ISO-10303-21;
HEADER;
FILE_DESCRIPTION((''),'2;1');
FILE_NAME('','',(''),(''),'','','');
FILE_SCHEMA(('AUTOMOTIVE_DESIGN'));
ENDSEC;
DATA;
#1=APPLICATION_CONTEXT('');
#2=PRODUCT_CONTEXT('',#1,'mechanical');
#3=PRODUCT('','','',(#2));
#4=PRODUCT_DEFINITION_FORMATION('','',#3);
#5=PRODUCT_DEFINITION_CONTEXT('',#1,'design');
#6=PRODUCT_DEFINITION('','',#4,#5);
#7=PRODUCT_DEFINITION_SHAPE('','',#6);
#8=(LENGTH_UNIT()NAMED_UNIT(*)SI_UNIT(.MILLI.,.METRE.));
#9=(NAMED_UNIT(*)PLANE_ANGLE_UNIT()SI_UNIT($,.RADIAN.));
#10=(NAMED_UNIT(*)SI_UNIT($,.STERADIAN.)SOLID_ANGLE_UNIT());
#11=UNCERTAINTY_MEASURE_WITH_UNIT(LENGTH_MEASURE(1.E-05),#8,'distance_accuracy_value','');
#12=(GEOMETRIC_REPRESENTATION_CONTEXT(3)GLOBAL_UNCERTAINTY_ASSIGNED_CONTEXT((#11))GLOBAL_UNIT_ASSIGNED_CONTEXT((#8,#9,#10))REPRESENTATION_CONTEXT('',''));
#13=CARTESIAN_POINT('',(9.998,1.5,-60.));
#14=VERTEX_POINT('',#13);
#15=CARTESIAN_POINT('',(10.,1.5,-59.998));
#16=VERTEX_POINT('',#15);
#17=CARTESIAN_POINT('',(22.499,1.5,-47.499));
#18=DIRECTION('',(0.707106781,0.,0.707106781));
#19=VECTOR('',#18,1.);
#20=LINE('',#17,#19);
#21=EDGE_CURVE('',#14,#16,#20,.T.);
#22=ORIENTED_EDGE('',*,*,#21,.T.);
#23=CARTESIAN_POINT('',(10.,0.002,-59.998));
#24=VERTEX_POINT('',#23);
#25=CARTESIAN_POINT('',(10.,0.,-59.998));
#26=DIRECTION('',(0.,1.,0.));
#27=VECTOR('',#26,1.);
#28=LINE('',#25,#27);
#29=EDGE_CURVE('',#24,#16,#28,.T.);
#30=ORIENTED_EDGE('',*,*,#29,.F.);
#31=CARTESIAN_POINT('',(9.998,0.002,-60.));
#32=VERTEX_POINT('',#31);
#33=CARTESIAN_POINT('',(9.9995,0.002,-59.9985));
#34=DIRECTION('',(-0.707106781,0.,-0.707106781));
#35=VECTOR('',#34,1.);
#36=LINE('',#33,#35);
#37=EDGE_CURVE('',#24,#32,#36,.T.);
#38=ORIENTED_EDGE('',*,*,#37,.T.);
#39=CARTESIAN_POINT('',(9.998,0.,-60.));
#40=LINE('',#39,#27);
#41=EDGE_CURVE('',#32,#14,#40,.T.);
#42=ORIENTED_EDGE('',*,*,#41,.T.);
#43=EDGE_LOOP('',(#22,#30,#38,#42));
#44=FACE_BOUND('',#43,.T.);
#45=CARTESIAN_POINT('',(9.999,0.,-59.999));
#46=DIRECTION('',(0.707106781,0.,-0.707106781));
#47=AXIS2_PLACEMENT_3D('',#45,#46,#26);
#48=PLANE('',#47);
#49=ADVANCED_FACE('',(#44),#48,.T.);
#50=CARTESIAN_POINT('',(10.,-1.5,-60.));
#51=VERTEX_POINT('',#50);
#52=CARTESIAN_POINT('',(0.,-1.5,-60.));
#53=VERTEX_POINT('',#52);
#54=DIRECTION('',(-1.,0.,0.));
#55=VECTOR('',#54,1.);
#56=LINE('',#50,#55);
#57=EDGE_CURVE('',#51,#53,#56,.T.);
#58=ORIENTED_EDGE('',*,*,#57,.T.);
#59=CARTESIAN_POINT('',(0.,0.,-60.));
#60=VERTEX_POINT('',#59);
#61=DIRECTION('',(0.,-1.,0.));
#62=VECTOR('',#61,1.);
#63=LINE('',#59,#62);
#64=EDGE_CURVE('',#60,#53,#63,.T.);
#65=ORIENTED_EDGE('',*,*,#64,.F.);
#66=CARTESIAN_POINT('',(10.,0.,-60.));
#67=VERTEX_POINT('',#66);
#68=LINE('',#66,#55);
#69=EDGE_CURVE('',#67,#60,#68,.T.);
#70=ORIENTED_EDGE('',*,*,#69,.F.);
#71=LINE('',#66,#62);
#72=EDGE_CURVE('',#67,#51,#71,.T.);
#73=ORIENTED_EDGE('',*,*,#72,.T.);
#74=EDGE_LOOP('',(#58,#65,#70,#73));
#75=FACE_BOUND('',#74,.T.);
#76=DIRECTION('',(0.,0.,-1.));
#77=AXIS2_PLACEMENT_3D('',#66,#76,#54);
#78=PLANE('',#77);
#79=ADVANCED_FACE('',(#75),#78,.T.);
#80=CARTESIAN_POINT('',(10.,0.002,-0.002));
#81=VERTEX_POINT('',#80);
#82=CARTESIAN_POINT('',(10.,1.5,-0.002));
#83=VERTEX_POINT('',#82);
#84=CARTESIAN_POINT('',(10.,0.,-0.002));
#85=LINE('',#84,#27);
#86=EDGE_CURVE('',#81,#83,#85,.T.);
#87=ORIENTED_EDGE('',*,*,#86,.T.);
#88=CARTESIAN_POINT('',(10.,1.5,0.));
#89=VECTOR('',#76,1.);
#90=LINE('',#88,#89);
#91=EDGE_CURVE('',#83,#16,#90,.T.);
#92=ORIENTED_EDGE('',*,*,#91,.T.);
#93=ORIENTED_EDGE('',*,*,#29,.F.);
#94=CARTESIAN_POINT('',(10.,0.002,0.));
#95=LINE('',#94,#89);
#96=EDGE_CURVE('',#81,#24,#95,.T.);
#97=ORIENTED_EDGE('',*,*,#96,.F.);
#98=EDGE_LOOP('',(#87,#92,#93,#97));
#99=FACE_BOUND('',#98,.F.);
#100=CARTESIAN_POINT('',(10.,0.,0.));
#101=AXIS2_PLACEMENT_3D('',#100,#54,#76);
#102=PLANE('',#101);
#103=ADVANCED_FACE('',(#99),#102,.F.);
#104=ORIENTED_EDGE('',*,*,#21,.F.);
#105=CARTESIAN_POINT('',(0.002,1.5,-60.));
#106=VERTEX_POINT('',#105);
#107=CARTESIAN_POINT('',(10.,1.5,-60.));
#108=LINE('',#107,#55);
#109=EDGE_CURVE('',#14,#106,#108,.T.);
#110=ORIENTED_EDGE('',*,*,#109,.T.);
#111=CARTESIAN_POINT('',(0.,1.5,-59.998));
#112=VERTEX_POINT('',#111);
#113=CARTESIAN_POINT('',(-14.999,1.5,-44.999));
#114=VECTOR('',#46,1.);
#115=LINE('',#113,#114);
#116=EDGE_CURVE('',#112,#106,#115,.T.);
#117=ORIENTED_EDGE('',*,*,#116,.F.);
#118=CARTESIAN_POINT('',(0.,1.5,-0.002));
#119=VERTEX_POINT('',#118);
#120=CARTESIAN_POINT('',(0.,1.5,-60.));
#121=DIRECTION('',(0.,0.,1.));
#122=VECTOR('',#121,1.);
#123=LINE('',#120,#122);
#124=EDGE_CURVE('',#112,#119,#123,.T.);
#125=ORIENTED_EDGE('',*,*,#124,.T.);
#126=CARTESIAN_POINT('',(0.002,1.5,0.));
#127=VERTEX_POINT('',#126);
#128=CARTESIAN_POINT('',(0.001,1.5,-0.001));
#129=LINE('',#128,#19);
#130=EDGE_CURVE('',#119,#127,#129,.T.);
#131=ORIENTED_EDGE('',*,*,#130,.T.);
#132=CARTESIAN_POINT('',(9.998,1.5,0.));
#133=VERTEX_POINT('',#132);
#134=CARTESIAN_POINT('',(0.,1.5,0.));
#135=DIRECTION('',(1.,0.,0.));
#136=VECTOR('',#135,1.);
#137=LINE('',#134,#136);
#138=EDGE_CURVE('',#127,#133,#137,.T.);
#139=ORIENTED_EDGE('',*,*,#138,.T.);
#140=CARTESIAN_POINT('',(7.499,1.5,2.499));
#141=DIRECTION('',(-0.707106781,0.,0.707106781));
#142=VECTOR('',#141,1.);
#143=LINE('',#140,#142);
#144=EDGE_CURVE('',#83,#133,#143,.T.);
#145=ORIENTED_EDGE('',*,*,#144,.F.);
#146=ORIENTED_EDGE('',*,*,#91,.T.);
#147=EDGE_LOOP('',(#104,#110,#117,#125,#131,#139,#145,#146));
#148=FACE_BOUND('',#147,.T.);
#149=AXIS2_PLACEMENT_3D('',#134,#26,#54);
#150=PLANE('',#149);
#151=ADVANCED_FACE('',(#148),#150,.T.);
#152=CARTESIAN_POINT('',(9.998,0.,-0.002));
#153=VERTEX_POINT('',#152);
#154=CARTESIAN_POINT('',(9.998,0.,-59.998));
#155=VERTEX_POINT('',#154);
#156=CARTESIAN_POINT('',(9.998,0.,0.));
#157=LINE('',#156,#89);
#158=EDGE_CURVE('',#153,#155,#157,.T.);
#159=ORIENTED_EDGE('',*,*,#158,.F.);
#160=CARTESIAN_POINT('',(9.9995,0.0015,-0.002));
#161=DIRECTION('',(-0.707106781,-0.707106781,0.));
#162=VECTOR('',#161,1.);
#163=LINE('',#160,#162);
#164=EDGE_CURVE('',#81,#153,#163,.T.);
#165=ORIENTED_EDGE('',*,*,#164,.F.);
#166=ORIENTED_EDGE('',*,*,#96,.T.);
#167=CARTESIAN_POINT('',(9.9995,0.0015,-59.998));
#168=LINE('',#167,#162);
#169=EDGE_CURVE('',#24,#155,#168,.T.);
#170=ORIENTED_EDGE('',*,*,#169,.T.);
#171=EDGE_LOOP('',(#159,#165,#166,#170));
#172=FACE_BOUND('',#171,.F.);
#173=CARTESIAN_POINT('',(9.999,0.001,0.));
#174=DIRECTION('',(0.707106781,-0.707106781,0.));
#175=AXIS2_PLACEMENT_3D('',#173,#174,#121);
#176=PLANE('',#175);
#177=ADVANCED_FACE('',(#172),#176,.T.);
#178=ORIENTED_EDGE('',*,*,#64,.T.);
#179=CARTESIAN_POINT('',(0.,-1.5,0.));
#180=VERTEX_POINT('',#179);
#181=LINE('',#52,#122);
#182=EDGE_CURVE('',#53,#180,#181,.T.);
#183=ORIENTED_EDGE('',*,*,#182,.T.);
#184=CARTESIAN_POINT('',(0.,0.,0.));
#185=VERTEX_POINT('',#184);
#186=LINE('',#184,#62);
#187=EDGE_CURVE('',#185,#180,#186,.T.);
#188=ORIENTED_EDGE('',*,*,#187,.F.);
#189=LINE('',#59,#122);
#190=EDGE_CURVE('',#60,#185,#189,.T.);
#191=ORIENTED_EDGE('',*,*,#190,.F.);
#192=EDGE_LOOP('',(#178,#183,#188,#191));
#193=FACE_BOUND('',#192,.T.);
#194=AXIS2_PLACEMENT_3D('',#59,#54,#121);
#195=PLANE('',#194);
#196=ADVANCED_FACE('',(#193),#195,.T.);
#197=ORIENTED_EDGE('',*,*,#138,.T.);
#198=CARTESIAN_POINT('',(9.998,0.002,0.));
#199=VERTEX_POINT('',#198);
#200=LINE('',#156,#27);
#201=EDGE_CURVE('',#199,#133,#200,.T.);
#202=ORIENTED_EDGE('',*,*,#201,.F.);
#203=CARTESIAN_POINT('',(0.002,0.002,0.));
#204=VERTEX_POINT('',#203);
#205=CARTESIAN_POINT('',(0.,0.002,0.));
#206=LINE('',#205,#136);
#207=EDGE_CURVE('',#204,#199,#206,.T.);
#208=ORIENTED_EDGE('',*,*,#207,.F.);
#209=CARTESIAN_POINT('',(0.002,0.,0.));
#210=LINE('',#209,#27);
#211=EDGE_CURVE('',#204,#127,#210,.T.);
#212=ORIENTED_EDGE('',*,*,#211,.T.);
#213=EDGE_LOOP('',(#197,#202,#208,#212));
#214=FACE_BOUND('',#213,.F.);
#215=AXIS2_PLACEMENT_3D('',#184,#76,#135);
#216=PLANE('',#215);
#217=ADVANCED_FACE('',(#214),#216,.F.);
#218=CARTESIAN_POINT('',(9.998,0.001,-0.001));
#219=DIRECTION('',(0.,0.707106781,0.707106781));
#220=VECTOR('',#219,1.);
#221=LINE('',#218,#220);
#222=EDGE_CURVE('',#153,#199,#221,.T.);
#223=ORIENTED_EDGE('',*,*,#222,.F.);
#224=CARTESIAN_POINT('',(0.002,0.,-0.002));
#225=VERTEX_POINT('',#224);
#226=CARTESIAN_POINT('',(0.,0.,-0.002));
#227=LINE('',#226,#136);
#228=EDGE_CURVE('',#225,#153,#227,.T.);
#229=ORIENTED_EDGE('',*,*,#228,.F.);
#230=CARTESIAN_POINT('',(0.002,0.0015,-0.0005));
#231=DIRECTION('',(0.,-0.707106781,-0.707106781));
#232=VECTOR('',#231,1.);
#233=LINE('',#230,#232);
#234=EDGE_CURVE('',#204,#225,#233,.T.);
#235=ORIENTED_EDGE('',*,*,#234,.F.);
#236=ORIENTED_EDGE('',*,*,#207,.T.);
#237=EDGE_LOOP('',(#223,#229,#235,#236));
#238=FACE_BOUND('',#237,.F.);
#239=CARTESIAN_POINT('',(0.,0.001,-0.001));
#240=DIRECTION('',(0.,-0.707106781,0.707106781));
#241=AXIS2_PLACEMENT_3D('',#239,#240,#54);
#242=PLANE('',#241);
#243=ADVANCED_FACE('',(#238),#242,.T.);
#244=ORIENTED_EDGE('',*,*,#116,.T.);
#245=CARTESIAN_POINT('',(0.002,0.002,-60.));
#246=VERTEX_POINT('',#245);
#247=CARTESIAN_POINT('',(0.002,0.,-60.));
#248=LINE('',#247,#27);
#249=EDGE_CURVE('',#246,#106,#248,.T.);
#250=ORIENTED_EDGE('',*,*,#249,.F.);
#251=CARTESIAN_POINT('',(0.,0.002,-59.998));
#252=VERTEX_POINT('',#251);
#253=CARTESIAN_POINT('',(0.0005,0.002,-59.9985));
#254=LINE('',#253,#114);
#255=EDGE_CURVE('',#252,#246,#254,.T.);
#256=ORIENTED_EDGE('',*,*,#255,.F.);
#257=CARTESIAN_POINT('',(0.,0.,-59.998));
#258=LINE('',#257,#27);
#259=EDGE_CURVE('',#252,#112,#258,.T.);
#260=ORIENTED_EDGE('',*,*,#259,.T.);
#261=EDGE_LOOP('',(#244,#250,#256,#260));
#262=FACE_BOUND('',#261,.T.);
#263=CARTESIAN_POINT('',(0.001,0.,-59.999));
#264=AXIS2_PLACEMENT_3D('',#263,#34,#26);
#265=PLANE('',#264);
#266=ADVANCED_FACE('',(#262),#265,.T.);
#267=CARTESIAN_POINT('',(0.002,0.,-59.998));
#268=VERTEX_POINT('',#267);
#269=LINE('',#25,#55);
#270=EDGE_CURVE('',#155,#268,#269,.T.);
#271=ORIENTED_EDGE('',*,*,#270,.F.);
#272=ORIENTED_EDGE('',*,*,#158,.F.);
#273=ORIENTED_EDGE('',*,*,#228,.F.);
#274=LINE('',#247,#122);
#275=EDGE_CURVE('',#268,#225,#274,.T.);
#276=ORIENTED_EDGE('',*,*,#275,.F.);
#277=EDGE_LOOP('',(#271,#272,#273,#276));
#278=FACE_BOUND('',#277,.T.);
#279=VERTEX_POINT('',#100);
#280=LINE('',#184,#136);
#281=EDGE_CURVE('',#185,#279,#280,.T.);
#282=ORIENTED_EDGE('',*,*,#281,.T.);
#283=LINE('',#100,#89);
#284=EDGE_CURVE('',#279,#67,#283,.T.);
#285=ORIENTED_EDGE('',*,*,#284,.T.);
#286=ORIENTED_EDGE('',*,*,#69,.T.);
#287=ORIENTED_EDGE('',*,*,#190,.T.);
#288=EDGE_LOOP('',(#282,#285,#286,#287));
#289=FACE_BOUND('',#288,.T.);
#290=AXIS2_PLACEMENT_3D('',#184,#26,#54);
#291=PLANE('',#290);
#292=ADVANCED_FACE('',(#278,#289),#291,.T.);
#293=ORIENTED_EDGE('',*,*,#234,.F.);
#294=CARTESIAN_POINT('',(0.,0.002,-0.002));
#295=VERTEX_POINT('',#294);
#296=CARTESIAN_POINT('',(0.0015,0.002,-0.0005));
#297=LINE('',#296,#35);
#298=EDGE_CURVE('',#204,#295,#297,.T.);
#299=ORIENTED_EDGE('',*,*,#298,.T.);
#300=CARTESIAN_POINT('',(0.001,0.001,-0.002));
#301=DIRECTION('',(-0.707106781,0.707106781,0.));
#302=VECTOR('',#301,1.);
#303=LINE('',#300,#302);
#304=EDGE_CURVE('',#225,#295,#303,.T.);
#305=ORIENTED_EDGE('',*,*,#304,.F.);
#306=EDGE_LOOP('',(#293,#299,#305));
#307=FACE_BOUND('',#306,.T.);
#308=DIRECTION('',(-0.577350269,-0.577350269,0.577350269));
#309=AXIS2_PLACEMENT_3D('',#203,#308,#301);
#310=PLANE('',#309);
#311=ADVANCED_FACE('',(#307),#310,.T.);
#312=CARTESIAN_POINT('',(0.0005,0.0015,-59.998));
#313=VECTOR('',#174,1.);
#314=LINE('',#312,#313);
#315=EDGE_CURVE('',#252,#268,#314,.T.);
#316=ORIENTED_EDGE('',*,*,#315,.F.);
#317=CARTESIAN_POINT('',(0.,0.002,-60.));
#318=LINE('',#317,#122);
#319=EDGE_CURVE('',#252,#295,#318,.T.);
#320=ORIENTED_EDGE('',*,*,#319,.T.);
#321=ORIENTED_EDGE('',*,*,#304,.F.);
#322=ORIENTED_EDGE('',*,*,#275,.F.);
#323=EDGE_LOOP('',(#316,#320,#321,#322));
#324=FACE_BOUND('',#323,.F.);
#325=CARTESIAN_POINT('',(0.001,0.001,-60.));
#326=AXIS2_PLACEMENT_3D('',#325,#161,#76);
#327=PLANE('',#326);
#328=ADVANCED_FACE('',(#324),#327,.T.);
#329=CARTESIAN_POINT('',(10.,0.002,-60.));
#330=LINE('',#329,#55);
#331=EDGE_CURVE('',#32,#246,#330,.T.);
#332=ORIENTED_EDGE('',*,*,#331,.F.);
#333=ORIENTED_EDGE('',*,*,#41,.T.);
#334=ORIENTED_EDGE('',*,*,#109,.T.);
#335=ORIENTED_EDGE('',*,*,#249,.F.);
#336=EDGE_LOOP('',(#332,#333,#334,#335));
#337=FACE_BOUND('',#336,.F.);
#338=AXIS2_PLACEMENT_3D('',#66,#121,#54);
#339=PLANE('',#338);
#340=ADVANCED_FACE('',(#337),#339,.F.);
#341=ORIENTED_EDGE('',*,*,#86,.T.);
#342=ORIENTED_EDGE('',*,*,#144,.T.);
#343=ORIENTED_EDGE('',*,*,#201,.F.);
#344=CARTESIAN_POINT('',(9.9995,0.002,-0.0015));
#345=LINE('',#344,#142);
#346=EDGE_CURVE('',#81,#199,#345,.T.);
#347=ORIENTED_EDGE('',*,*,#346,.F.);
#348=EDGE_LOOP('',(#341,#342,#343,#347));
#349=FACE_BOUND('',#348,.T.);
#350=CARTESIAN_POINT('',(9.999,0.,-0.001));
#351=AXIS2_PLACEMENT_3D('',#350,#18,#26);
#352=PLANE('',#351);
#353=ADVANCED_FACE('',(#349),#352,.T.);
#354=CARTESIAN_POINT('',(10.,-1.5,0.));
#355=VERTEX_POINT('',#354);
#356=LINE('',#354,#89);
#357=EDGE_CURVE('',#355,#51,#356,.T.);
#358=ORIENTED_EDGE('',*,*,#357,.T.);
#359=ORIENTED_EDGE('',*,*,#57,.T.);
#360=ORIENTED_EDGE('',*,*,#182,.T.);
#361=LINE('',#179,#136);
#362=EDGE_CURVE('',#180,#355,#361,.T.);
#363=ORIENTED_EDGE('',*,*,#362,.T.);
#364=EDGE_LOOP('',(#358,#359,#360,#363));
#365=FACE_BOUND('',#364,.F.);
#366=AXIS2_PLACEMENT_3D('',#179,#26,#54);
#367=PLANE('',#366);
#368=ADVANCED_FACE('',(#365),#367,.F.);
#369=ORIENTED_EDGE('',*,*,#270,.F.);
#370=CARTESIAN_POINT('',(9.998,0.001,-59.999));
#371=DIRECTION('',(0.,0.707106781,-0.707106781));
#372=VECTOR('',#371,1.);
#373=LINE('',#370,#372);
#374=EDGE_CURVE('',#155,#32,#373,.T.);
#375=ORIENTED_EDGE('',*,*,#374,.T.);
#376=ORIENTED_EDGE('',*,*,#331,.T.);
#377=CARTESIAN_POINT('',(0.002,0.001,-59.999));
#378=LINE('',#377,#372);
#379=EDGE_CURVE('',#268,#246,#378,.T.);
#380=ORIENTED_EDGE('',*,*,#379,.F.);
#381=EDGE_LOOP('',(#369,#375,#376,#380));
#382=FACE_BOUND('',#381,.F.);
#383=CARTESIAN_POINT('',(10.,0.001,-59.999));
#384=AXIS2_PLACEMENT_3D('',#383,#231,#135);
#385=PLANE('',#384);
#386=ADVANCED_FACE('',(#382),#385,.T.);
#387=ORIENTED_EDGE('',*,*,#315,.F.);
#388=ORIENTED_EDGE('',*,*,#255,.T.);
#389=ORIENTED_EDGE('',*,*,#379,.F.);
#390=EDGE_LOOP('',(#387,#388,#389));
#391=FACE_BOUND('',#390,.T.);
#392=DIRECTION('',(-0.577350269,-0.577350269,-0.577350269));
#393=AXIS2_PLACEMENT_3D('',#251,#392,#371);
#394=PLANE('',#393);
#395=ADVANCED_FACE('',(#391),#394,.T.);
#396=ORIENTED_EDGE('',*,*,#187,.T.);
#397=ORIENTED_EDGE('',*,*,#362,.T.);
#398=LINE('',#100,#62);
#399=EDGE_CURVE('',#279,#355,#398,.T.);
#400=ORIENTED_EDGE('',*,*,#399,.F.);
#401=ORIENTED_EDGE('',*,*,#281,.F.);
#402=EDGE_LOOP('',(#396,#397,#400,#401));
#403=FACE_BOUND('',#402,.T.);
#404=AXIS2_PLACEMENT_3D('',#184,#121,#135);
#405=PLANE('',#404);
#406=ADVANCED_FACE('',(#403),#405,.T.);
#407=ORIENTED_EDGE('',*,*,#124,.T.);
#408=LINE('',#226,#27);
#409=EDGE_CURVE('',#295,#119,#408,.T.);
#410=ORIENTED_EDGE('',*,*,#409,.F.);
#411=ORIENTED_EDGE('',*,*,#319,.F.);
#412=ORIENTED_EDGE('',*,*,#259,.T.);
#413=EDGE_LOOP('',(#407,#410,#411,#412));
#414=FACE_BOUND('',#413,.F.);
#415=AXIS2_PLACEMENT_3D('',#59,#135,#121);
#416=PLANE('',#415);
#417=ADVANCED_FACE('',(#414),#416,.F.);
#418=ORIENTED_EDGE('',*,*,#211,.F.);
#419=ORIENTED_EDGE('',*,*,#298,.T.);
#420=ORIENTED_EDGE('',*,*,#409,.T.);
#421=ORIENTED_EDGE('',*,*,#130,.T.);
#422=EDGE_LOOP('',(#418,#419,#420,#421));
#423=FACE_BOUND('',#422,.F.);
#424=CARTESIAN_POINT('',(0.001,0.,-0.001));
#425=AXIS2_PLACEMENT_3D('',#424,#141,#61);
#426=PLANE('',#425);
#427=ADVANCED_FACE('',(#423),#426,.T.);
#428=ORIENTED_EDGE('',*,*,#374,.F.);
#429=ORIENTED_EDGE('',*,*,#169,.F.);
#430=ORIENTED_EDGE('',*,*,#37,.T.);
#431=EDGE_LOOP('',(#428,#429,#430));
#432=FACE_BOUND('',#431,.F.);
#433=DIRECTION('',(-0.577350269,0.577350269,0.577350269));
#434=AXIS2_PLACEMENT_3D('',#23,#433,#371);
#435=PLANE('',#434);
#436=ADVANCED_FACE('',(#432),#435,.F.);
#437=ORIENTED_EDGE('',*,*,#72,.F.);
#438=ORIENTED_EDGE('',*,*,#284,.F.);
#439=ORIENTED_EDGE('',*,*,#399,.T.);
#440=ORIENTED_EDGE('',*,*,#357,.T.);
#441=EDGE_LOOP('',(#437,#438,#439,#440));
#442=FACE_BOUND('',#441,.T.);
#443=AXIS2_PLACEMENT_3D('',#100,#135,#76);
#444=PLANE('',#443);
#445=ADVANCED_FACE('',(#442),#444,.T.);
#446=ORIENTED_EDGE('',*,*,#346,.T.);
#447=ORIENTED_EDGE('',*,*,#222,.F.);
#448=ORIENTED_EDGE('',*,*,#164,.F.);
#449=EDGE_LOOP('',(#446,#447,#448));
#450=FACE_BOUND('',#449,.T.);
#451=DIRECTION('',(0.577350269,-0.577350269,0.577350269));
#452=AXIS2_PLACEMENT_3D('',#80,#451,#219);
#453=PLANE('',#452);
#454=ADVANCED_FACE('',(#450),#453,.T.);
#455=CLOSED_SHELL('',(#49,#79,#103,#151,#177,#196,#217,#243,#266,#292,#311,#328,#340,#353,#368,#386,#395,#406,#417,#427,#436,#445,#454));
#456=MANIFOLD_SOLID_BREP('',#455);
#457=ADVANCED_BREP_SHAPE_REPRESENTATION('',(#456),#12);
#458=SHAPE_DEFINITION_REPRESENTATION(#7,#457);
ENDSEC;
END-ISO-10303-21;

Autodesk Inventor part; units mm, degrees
ref_plane "YZ Plane" through (0, 0, 0) normal (1, 0, 0) x (0, 1, 0)
ref_plane "XZ Plane" through (0, 0, 0) normal (0, 1, 0) x (-1, 0, 0)
ref_plane "XY Plane" through (0, 0, 0) normal (0, 0, 1) x (1, 0, 0)
sketch "Sketch1" plane through (0, 0, 0) normal (0, 1, 0) x (-1, 0, 0)
  line L0 (0, 0) -> (-10, 0)
  line L1 (-10, 0) -> (-10, -60)
  line L2 (-10, -60) -> (0, -60)
  line L3 (0, -60) -> (0, 0)
  dimension "d0" = 10
  dimension "d1" = 60
extrude "Extrusion1" add sketch "Sketch1" along normal blind 1.5
chamfer "Chamfer1" distance 0.002 angle 45 8 edges at (5, 0, -60) (0, 0, -30) (5, 0, 0) (10, 0, -30) (10, 0.75, -60) (0, 0.75, -60) (0, 0.75, 0) (10, 0.75, 0)
extrude "Extrusion2" add sketch "Sketch1" against normal blind 1.5
equation "\"d0\" = halbachMagnet_width"
equation "\"d1\" = halbachMagnet_length"
equation "\"d2\" = 0.5 * halbachMagnet_height"
equation "\"d7\" = 0.5 * halbachMagnet_height"
equation "\"gap\" = 0.1"
equation "\"airgap\" = 0.4"
equation "\"driveMagnet_height\" = 5"
equation "\"halbachMagnet_length\" = 60"
equation "\"halbachMagnet_width\" = 10"
equation "\"halbachMagnet_height\" = 3"
equation "\"sensorMagnet_diameter\" = 5"
equation "\"sensorMagnet_height\" = 2.66667"
equation "\"wallgap\" = 2"
equation "\"motorRadius\" = 2 * gap + driveMagnet_centerSpacingRadius + driveMagnet_length + 2 * wallgap"
equation "\"shaftDiameter\" = 8"
equation "\"flangeBearing_outerDiameter\" = 16"
equation "\"flangeBearing_innerDiameter\" = shaftDiameter"
equation "\"flangeBearing_height\" = 5"
equation "\"flangeBearing_flangeHeight\" = 1"
equation "\"flangeBearing_flangeDiameter\" = 18"
equation "\"magnetTrapNut_height\" = 1.2"
equation "\"magnetTrapNut_sideToSide\" = 4"
equation "\"magnetTrapBolt_headHeight\" = 2"
equation "\"magnetTrapBolt_headDiameter\" = 3.98"
equation "\"magnetTrapBolt_diameter\" = 2"
equation "\"statorThickness\" = coilThickness + 2 * wallgap"
equation "\"rotor_mountingLipHeight\" = 0.5 * statorThickness"
equation "\"magnetTrapHexNut_sideToSide\" = 4"
equation "\"magnetTrapSquareNut_sideLength\" = 4"
equation "\"magnetTrapSquareNut_height\" = 1.2"
equation "\"magnetTrapHexNut_height\" = 1.2"
equation "\"rotorRadius\" = 2 * gap + driveMagnet_centerSpacingRadius + driveMagnet_length + wallgap"
equation "\"rotorBandSquareNut_sideLength\" = 4"
equation "\"rotorBandHexNut_height\" = 1.2"
equation "\"rotorBandHexNut_sideToSide\" = 4"
equation "\"rotorBandSquareNut_height\" = 1.2"
equation "\"rotorBandBolt_headHeight\" = 2"
equation "\"rotorBandBolt_headDiameter\" = 3.98"
equation "\"rotorBandBolt_diameter\" = 2"
equation "\"rotorBandThickness\" = wallgap + rotorBandBolt_headHeight + gap"
equation "\"flangeCoupling_collarOuterDiameter\" = 16"
equation "\"flangeCoupling_flangeHoleEdgeToEdge\" = 2.05"
equation "\"flangeCoupling_innerDiameter\" = shaftDiameter"
equation "\"flangeCoupling_flangeHoleDiameter\" = 3.9"
equation "\"flangeCoupling_flangeHeight\" = 3.1"
equation "\"flangeCoupling_flangeDiameter\" = 32"
equation "\"flangeCoupling_height\" = flangeCoupling_collarHeight + flangeCoupling_flangeHeight"
equation "\"flangeCoupling_mountHoleDiameter\" = 3.9"
equation "\"flangeCoupling_mountHoleEdgeToEdge\" = 2.05"
equation "\"statorRadius\" = driveMagnet_length + driveMagnet_centerSpacingRadius + 2 * gap"
equation "\"coilThickness\" = 12"
equation "\"statorMountBolt_diameter\" = 4"
equation "\"statorMountBolt_headDiameter\" = 7"
equation "\"statorMountBolt_headHeight\" = 4"
equation "\"statorMountBolt_shaftLength\" = coilThickness + flangeCoupling_flangeHeight + wallgap"
equation "\"statorMountHexNut_height\" = 4"
equation "\"statorMountHexNut_sideToSide\" = 8"
equation "\"sensorMagnet_ringRadius\" = 0.5 * driveMagnet_centerSpacingRadius + 2 * wallgap"
equation "\"coil_percentCoverage\" = 0.6"
equation "\"statorSpokeDegrees\" = 4deg"
equation "\"coil_bulge\" = 3"
equation "\"statorCoilHexNut_height\" = 1.2"
equation "\"statorCoilBolt_headHeight\" = 2"
equation "\"statorCoilBolt_diameter\" = 2"
equation "\"statorCoilBolt_headDiameter\" = 3.98"
equation "\"statorCoilHexNut_sideToSide\" = 4"
equation "\"magnetWire_outerDiameter\" = 0.8128"
equation "\"printingLayerHeight\" = 0.2"
equation "\"circuitBoard_height\" = 1.6"
equation "\"hallEffectSensor_width\" = 1.6"
equation "\"hallEffectSensor_length\" = 3"
equation "\"hallEffectSensor_height\" = 1.1"
equation "\"hallEffectSensor_pinLength\" = 0.6"
equation "\"circuitboardMountHexNut_height\" = 1.2"
equation "\"circuitboardMountHexNut_sideToSide\" = 4"
equation "\"circuitboardMountBolt_headHeight\" = 2"
equation "\"circuitboardMountBolt_shaftLength\" = coilThickness"
equation "\"circuitboardMountBolt_diameter\" = 2"
equation "\"circuitboardMountBolt_headDiameter\" = 3.98"
equation "\"statorShellBolt_headDiameter\" = 5.68"
equation "\"statorShellHexNut_height\" = 2.3"
equation "\"statorShellBolt_shaftLength\" = statorThickness - statorShellBolt_countersinkDepth"
equation "\"statorShellBolt_headHeight\" = 3"
equation "\"statorShellHexNut_sideToSide\" = 5.3"
equation "\"statorShellBolt_diameter\" = 3"
equation "\"flangeCoupling_mountHoleCenterToCouplingCenter\" = 12"
equation "\"driveMagnet_centerSpacingRadius\" = 38.96113"
equation "\"driveMagnet_length\" = 60"
equation "\"flangeCoupling_collarHeight\" = 10"
equation "\"statorShellBolt_countersinkDepth\" = 3.4"
properties part number "HalbachMagnet"
